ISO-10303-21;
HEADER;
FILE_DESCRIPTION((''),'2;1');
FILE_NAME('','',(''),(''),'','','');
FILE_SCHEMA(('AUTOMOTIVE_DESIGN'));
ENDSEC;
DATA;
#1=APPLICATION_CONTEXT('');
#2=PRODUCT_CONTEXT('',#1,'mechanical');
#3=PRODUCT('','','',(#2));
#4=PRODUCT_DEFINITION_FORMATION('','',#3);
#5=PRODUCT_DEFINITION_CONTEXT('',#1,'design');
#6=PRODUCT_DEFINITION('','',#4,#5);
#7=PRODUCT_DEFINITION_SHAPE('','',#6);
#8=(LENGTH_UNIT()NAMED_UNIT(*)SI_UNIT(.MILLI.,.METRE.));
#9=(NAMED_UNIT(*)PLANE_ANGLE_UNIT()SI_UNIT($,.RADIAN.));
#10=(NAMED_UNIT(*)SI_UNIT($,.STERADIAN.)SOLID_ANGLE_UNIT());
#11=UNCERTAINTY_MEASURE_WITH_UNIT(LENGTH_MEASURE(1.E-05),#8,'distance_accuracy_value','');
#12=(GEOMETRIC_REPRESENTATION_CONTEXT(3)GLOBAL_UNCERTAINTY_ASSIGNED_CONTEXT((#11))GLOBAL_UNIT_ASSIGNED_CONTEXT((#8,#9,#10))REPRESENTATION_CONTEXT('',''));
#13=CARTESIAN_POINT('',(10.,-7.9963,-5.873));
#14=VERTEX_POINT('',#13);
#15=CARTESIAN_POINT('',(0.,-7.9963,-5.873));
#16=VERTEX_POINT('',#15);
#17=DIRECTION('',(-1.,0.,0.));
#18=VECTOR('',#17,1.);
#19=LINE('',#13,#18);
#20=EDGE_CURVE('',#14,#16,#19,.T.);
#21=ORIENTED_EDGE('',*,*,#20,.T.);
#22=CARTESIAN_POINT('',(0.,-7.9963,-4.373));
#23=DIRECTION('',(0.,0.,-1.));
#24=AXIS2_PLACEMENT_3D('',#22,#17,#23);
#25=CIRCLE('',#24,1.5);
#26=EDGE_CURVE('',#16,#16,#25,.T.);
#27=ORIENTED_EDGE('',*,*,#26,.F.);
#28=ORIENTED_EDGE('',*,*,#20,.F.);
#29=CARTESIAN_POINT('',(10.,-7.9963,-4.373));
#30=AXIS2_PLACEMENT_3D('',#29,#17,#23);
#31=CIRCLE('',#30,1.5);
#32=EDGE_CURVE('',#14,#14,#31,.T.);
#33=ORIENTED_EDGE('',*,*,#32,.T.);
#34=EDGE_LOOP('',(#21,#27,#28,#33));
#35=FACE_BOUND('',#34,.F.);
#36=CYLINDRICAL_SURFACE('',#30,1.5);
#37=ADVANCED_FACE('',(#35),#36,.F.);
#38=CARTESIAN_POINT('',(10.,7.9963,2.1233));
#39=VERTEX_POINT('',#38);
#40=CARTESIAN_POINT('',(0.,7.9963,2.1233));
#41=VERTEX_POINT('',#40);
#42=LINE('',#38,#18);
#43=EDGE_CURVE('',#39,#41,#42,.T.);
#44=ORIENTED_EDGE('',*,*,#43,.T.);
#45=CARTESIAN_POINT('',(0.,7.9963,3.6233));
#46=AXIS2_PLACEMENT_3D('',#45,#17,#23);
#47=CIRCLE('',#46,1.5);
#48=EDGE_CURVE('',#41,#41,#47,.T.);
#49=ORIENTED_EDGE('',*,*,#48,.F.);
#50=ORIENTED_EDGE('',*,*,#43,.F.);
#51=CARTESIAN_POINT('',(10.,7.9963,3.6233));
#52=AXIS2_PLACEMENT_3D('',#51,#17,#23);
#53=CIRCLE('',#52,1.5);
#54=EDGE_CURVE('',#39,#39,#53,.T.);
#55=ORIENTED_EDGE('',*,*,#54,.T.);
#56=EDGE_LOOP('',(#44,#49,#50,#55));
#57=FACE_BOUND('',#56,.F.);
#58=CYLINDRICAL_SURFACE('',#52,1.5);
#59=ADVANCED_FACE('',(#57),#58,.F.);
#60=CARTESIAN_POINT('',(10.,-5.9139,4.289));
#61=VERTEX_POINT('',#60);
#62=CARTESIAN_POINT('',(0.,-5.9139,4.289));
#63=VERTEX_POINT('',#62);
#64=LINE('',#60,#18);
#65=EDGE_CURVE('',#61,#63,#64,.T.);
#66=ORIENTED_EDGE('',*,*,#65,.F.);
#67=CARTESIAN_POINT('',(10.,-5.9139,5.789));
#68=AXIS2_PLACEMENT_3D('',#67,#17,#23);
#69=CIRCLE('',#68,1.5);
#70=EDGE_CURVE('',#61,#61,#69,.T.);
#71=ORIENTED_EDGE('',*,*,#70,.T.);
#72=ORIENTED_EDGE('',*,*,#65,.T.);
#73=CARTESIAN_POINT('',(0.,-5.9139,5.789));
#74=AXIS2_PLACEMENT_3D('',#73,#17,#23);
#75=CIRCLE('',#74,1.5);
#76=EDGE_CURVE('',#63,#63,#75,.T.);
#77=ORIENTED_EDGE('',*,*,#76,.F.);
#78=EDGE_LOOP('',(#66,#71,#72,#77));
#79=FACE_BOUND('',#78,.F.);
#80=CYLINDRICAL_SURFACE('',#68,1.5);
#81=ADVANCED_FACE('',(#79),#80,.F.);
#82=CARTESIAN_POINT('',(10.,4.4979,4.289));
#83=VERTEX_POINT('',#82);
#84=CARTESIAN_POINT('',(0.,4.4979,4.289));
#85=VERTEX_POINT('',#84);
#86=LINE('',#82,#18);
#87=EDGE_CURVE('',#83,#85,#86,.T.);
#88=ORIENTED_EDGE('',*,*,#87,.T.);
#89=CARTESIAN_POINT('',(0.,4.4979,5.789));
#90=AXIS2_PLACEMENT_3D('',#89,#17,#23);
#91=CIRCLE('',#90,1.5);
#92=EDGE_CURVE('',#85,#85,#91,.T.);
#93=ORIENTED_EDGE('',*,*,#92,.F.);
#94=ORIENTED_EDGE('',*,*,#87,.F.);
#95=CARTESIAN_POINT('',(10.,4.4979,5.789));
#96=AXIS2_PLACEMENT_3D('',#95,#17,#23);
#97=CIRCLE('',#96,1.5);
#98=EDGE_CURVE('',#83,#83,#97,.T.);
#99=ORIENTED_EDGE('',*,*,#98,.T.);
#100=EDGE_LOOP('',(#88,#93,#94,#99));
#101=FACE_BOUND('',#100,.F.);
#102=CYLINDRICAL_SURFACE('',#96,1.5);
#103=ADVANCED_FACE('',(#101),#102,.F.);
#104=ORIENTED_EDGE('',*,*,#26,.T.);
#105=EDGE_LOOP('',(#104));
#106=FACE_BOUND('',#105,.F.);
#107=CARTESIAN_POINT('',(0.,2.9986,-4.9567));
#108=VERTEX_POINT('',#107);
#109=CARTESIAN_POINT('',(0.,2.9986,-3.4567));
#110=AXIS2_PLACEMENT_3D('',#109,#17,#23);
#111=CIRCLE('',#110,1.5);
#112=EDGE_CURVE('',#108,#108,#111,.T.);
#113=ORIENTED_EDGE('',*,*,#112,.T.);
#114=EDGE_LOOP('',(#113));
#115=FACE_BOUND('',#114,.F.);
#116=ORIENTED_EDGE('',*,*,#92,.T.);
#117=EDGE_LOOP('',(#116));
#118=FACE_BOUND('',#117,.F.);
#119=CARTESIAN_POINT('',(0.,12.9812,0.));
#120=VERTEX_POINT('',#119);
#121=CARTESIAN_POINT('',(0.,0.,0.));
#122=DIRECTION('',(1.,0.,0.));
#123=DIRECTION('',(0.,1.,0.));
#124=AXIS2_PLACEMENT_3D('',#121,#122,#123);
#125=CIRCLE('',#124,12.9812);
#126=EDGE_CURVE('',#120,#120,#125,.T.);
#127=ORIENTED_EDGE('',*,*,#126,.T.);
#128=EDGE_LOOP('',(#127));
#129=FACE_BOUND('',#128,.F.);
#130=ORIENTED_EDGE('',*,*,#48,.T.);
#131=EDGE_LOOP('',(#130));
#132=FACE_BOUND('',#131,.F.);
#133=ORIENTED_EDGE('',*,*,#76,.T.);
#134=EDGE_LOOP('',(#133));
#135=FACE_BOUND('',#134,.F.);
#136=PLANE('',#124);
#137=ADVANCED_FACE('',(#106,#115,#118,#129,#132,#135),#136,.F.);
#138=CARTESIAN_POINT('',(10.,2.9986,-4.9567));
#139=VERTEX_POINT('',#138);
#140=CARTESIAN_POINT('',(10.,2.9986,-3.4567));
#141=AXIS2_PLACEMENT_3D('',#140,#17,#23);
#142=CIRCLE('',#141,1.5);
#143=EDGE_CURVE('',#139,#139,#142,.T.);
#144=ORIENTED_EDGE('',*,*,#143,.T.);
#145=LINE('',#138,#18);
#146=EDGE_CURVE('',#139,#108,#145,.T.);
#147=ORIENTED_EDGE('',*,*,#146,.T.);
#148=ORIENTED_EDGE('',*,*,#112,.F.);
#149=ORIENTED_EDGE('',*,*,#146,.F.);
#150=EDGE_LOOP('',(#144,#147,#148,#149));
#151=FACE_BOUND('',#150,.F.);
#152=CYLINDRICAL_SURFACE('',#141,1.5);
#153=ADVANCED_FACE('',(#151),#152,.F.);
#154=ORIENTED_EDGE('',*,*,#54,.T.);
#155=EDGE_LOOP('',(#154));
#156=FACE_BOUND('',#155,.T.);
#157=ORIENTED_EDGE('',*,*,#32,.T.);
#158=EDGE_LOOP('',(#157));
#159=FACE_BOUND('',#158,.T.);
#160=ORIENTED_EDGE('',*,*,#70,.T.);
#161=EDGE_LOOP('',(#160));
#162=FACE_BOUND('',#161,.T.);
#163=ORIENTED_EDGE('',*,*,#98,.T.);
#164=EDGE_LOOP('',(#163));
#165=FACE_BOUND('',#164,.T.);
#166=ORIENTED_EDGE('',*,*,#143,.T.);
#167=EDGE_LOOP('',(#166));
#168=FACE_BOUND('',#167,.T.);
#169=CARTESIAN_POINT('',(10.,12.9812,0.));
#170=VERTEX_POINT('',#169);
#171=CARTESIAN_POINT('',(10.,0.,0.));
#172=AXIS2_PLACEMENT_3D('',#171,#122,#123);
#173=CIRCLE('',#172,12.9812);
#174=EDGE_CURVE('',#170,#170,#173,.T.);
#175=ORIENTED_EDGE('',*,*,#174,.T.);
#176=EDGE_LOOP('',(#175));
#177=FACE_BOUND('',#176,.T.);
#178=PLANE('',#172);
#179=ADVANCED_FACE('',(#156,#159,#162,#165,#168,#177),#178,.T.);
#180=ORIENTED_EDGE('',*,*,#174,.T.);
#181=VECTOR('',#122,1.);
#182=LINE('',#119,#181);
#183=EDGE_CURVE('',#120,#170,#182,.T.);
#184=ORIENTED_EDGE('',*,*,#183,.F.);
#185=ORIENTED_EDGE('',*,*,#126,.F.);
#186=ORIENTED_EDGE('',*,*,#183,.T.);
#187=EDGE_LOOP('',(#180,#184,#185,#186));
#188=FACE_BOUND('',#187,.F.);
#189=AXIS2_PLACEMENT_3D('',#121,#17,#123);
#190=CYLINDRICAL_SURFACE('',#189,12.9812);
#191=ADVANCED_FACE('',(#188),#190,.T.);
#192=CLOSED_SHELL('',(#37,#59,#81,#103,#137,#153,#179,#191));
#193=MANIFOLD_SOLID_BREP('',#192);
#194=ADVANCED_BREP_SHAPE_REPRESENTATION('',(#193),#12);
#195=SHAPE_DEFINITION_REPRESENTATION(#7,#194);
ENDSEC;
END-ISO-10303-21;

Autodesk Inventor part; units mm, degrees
ref_plane "YZ Plane" through (0, 0, 0) normal (1, 0, 0) x (0, 1, 0)
ref_plane "XZ Plane" through (0, 0, 0) normal (0, 1, 0) x (-1, 0, 0)
ref_plane "XY Plane" through (0, 0, 0) normal (0, 0, 1) x (1, 0, 0)
sketch "Sketch1" plane through (0, 0, 0) normal (1, 0, 0) x (0, 1, 0)
  circle A0 centre (0, 0) radius 12.9812
extrude "Extrusion1" add sketch "Sketch1" along normal blind 10
sketch "Sketch2" plane through (10, 0, 0) normal (1, 0, 0) x (0, 0, -1)
  point P0 (0, 0)
  point P1 (3.4567, 2.9986)
  point P2 (-5.789, 4.4979)
  point P3 (-3.6233, 7.9963)
  point P4 (4.373, -7.9963)
  point P5 (-5.789, -5.9139)
hole "Hole1" at (10, 2.9986, -3.4567) at (10, 4.4979, 5.789) at (10, 7.9963, 3.6233) at (10, -7.9963, -4.373) at (10, -5.9139, 5.789) direction (-1, 0, 0) diameter 3 end through all
properties part number "madeinlinux"
